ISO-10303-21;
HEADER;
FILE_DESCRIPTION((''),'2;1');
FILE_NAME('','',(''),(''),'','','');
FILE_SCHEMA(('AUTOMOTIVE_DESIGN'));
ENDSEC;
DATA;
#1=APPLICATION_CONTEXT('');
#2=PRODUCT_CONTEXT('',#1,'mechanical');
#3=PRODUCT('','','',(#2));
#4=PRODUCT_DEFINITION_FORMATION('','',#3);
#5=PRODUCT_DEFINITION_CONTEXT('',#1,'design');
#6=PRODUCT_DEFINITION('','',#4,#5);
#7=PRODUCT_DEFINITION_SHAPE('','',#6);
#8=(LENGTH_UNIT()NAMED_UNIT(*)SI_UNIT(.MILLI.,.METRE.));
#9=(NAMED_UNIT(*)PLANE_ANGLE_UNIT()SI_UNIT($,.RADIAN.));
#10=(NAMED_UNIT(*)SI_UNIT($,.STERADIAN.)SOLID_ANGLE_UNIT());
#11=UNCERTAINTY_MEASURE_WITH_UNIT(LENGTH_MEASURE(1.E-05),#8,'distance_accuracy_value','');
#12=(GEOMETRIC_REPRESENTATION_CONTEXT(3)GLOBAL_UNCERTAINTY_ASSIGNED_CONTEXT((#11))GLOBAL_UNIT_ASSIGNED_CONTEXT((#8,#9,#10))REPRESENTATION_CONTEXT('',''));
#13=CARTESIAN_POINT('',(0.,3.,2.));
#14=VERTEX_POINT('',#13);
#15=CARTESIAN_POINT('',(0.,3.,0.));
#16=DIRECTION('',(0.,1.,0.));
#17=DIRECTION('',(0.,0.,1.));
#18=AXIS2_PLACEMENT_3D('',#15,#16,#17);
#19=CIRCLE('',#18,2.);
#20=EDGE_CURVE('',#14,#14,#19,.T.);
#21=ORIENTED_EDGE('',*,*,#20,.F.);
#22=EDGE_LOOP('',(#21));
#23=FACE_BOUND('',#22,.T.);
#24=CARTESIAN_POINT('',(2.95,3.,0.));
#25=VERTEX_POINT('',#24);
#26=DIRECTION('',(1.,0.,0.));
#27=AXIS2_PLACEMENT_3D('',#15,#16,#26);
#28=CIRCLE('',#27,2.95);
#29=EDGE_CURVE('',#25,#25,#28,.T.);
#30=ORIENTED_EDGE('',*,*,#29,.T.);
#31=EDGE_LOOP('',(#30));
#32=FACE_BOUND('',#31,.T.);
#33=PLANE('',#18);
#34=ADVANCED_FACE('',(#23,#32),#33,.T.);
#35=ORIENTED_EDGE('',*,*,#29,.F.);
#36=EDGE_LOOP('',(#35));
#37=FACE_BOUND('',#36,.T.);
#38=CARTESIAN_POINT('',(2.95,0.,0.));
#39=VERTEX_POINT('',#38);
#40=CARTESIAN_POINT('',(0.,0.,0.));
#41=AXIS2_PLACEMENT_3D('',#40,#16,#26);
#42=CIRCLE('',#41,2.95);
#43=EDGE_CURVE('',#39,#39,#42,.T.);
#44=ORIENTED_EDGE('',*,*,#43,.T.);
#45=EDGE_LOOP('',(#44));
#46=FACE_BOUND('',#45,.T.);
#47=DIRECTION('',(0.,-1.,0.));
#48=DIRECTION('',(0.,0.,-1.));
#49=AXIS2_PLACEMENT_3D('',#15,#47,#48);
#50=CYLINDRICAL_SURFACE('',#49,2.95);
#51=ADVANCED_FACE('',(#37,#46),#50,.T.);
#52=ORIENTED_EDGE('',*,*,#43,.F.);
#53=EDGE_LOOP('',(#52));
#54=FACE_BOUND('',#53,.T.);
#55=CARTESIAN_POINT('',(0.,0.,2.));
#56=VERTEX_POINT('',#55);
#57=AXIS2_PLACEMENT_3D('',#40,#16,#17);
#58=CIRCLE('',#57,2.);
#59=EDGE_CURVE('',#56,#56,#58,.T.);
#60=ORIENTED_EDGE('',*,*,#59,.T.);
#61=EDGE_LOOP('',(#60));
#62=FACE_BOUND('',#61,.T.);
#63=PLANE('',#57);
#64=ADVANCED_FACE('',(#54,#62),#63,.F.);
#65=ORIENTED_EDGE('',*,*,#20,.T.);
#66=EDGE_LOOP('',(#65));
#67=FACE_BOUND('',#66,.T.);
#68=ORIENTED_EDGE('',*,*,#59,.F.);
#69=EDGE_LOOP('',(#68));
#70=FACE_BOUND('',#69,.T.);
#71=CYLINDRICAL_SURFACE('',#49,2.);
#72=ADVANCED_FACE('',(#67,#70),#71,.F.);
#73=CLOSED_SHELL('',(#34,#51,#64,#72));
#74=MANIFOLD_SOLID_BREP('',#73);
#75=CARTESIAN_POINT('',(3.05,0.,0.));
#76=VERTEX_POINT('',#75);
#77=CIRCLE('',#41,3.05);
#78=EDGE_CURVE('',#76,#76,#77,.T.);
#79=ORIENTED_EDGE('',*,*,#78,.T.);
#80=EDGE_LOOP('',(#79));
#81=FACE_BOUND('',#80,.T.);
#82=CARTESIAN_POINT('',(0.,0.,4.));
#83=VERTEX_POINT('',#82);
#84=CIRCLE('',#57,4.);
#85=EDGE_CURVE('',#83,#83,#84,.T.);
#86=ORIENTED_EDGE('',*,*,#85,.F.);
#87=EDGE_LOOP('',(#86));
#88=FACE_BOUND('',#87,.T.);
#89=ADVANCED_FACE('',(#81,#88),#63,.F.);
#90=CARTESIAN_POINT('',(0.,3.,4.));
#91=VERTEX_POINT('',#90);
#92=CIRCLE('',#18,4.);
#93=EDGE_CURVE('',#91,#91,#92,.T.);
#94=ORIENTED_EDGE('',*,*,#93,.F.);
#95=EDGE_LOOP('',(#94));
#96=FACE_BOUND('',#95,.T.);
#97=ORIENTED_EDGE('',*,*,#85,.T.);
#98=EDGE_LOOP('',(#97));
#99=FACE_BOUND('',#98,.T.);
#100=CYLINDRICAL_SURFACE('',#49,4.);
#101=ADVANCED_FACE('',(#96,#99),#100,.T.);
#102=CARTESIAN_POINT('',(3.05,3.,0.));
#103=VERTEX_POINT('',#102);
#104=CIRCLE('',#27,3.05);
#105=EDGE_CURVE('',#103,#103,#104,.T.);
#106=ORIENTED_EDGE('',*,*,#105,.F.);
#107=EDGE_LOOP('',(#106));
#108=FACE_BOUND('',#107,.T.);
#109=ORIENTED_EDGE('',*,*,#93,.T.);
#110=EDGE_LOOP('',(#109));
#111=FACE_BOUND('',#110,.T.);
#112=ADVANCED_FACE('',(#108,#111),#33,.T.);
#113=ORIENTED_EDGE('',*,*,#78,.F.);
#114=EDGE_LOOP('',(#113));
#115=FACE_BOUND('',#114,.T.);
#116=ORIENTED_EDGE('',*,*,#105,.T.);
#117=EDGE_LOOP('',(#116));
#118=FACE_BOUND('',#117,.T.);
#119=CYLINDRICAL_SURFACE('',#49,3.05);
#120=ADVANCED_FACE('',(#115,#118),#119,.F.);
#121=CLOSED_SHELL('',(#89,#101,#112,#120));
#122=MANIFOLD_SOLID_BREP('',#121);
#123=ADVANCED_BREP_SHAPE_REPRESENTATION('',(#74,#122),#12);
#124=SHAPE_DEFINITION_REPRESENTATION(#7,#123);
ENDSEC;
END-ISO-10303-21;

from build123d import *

# Parameters (mm, degrees)
SKETCH_1_R          = 4
SKETCH_1_R_2        = 3
EXTRUDE_1_DEPTH     = 3
SKETCH_1_3_R        = 3
SKETCH_1_3_R_2      = 2
EXTRUDE_2_DEPTH     = 3
SKETCH_1_5_R        = 3.05
SKETCH_1_5_R_2      = 2.95
CUT_EXTRUDE_2_DEPTH = 3


with BuildPart() as part:
    # 草图1 → 凸台-拉伸1 (new body)
    with BuildSketch(Plane(origin=(0, 0, 0), x_dir=(1, 0, 0), z_dir=(0, 1, 0))):
        Circle(SKETCH_1_R)
        Circle(SKETCH_1_R_2, mode=Mode.SUBTRACT)
    extrude(amount=EXTRUDE_1_DEPTH)

    # 草图1<3> → 凸台-拉伸2 (add)
    with BuildSketch(Plane(origin=(0, 0, 0), x_dir=(1, 0, 0), z_dir=(0, 1, 0))):
        Circle(SKETCH_1_3_R)
        Circle(SKETCH_1_3_R_2, mode=Mode.SUBTRACT)
    extrude(amount=EXTRUDE_2_DEPTH)

    # 草图1<5> → 切除-拉伸-薄壁2 (cut)
    with BuildSketch(Plane(origin=(0, 0, 0), x_dir=(1, 0, 0), z_dir=(0, 1, 0))):
        Circle(SKETCH_1_5_R)
        Circle(SKETCH_1_5_R_2, mode=Mode.SUBTRACT)
    extrude(amount=CUT_EXTRUDE_2_DEPTH, mode=Mode.SUBTRACT)


with BuildPart() as cut_extrude_2_piece_1:
    # of the separate pieces the step leaves, piece 1, a body of its own (cut_extrude_2_pieces)
    add(part.part.solids().sort_by_distance((4, 0, 0))[0])


with BuildPart() as cut_extrude_2_piece_2:
    # of the separate pieces the step leaves, piece 2, a body of its own (cut_extrude_2_pieces)
    add(part.part.solids().sort_by_distance((2.95, 0, 0))[0])


solid = Compound([cut_extrude_2_piece_1.part, cut_extrude_2_piece_2.part])
